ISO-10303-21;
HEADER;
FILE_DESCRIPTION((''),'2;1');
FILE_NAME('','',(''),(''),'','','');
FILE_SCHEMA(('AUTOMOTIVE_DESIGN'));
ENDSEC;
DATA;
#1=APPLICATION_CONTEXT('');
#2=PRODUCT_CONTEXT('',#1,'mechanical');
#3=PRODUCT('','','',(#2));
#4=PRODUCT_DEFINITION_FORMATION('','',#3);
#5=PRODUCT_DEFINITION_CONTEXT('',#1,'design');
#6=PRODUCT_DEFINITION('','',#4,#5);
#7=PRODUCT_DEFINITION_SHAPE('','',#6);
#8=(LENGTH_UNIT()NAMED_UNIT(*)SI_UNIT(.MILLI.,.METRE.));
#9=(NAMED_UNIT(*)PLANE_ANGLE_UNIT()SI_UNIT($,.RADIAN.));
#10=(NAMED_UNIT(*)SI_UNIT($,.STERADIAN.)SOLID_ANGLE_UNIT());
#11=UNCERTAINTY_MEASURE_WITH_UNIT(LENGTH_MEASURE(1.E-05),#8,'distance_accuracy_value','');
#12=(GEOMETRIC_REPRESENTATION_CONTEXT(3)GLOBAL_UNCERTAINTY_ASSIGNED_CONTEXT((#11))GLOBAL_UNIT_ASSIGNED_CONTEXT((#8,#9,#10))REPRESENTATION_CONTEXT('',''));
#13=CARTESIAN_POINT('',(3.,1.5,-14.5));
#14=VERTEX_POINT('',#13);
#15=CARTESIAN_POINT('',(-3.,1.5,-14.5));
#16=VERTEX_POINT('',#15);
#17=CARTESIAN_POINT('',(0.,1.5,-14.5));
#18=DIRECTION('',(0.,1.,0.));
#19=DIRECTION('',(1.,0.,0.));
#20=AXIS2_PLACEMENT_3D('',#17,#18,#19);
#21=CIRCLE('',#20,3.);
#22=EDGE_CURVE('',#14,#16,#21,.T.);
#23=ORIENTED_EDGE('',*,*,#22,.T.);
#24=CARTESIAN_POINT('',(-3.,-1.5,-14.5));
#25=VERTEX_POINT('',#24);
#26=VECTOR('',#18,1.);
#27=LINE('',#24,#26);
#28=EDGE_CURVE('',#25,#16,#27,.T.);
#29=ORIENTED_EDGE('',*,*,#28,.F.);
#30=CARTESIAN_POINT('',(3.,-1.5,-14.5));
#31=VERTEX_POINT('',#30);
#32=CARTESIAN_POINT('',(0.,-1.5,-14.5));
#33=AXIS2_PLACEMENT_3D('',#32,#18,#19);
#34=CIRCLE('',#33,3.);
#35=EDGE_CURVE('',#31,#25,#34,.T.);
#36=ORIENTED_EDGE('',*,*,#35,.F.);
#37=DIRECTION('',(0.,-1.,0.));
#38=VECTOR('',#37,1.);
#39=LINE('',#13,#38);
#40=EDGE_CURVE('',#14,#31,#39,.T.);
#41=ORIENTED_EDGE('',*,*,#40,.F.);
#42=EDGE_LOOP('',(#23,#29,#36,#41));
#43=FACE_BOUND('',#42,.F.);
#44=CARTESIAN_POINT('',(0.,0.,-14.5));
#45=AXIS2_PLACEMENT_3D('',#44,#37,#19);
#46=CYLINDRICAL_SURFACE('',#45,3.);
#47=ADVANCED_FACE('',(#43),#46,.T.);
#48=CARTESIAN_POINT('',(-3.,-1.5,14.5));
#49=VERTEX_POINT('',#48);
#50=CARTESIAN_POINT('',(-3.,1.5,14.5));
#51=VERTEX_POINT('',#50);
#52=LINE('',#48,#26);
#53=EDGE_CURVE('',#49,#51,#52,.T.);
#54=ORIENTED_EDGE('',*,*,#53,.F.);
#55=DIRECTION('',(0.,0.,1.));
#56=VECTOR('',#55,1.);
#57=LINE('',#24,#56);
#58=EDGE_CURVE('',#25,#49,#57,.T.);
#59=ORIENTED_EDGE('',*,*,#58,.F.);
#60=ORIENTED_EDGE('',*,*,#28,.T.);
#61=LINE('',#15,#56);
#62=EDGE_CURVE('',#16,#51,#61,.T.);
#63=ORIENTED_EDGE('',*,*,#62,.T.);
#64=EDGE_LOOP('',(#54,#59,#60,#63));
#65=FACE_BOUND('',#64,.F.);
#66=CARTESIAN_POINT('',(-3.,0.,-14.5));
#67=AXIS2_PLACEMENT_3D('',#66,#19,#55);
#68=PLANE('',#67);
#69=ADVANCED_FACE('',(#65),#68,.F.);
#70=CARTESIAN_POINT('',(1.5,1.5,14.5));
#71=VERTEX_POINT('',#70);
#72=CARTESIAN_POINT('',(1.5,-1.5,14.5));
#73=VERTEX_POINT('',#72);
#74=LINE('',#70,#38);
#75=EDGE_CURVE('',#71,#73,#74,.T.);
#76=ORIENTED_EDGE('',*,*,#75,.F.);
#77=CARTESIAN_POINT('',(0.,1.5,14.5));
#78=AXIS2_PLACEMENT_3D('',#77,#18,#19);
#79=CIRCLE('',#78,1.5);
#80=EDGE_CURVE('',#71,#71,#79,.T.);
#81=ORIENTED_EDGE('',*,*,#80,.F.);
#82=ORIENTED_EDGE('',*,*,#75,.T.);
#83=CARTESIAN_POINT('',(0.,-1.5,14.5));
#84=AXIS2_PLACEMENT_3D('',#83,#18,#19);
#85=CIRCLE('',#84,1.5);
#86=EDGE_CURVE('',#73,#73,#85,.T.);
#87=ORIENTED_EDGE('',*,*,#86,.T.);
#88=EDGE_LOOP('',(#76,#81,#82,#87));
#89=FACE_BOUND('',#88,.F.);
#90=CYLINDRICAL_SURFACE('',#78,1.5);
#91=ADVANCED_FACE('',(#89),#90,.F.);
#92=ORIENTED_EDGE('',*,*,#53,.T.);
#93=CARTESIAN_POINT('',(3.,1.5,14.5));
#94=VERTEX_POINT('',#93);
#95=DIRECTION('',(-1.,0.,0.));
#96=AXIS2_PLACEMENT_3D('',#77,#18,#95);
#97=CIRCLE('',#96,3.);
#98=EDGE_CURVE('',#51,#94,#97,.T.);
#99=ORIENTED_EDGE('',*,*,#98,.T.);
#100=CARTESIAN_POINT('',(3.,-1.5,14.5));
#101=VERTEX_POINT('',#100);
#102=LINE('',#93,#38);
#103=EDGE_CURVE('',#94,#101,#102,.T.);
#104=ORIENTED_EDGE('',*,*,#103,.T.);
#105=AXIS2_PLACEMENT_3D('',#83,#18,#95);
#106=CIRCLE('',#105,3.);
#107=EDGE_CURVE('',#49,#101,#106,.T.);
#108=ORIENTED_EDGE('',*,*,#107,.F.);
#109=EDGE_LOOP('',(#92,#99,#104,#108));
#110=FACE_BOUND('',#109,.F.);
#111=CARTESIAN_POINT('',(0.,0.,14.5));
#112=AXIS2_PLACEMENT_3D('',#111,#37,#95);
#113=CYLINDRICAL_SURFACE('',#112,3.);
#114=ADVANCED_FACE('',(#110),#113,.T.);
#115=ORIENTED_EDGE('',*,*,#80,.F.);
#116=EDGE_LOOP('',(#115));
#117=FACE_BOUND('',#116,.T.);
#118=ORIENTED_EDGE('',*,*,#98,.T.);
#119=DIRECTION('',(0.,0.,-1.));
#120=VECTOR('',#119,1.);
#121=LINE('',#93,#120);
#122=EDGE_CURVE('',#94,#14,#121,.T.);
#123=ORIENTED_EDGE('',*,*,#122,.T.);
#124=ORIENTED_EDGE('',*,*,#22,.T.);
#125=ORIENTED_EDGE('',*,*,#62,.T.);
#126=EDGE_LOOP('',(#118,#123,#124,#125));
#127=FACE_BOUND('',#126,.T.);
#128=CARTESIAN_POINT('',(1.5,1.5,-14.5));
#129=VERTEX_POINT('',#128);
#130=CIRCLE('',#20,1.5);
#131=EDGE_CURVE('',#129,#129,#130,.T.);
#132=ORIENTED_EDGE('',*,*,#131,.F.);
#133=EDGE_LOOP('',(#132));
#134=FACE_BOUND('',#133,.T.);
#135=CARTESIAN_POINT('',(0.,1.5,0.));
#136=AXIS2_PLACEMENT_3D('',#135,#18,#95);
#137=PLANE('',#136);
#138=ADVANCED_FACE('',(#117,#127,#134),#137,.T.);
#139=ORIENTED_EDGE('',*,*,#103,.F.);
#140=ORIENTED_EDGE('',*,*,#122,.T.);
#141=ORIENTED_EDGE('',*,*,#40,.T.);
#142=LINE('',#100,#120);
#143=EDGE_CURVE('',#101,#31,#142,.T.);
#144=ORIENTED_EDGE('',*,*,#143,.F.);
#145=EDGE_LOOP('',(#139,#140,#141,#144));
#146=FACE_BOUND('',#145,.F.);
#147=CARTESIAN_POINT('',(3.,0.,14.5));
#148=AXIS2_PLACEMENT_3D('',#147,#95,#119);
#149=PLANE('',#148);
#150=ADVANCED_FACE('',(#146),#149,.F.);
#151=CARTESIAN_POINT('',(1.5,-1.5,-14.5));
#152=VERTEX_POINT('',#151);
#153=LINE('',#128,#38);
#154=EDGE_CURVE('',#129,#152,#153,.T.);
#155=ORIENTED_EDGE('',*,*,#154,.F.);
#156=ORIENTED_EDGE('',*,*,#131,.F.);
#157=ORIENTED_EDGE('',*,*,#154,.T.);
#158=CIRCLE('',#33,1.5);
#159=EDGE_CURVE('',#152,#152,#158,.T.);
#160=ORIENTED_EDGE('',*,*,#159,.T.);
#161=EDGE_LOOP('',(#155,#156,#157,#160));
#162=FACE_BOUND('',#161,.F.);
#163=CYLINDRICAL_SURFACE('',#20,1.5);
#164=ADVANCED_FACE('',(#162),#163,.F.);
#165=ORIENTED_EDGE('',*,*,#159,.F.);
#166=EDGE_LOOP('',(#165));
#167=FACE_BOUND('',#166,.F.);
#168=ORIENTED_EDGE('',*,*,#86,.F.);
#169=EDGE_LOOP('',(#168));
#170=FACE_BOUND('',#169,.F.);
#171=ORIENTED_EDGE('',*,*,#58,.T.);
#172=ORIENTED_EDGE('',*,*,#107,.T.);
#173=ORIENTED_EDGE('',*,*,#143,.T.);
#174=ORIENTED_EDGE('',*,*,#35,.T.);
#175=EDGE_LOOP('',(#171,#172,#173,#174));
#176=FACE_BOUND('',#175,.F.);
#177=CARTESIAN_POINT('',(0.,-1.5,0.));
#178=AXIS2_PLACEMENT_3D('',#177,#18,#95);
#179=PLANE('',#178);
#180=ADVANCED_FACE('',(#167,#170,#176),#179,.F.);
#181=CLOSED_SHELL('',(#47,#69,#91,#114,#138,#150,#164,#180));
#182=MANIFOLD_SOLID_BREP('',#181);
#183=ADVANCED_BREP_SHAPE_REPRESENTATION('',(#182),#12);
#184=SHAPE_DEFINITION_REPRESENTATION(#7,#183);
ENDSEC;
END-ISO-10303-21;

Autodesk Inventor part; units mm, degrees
ref_plane "YZ Plane" through (0, 0, 0) normal (1, 0, 0) x (0, 1, 0)
ref_plane "XZ Plane" through (0, 0, 0) normal (0, 1, 0) x (-1, 0, 0)
ref_plane "XY Plane" through (0, 0, 0) normal (0, 0, 1) x (1, 0, 0)
sketch "Boceto1" plane through (0, 0, 0) normal (0, 1, 0) x (-1, 0, 0)
  line L0 (0, -14.5) -> (0, 14.5) construction
  line L1 (3, -14.5) -> (3, 14.5)
  line L2 (-3, 14.5) -> (-3, -14.5)
  arc A0 (-3, -14.5) -> (3, -14.5) centre (0, -14.5) ccw
  arc A1 (3, 14.5) -> (-3, 14.5) centre (0, 14.5) ccw
  point P0 (0, 0)
  point P1 (0, 17.5)
  point P2 (0, -17.5)
  dimension "d0" = 14.5
  dimension "d1" = 6
extrude "Extrusión1" add sketch "Boceto1" along normal mid plane 3
sketch "Boceto2" plane through (0, 1.5, 0) normal (0, 1, 0) x (1, 0, 0)
  arc A0 (-3, -14.5) -> (3, -14.5) centre (0, -14.5) ccw construction
  arc A1 (3, 14.5) -> (-3, 14.5) centre (0, 14.5) ccw construction
  circle A2 centre (0, -14.5) radius 1.5
  circle A3 centre (0, 14.5) radius 1.5
  point P0 (0, 0)
  dimension "d4" = 3
  dimension "d5" = 3
extrude "Extrusión2" cut sketch "Boceto2" against normal blind 3
equation "\"Radio_pliegue\" = Grosor"
equation "\"Anchura_desahogo_plegado\" = Grosor"
equation "\"Profundidad_desahogo_plegado\" = 0.5 * Grosor"
equation "\"Tamaño_destalonado\" = 4 * Grosor"
equation "\"Remanente_mínimo\" = 2 * Grosor"
equation "\"Radiodetransición\" = Radio_pliegue"
equation "\"Tamaño_de_radio_de_Jacobi\" = Radio_pliegue"
equation "\"TamañoSeparación\" = Grosor"
equation "\"Grosor\" = 0.5"
properties part number "Pinza_pieza2"
